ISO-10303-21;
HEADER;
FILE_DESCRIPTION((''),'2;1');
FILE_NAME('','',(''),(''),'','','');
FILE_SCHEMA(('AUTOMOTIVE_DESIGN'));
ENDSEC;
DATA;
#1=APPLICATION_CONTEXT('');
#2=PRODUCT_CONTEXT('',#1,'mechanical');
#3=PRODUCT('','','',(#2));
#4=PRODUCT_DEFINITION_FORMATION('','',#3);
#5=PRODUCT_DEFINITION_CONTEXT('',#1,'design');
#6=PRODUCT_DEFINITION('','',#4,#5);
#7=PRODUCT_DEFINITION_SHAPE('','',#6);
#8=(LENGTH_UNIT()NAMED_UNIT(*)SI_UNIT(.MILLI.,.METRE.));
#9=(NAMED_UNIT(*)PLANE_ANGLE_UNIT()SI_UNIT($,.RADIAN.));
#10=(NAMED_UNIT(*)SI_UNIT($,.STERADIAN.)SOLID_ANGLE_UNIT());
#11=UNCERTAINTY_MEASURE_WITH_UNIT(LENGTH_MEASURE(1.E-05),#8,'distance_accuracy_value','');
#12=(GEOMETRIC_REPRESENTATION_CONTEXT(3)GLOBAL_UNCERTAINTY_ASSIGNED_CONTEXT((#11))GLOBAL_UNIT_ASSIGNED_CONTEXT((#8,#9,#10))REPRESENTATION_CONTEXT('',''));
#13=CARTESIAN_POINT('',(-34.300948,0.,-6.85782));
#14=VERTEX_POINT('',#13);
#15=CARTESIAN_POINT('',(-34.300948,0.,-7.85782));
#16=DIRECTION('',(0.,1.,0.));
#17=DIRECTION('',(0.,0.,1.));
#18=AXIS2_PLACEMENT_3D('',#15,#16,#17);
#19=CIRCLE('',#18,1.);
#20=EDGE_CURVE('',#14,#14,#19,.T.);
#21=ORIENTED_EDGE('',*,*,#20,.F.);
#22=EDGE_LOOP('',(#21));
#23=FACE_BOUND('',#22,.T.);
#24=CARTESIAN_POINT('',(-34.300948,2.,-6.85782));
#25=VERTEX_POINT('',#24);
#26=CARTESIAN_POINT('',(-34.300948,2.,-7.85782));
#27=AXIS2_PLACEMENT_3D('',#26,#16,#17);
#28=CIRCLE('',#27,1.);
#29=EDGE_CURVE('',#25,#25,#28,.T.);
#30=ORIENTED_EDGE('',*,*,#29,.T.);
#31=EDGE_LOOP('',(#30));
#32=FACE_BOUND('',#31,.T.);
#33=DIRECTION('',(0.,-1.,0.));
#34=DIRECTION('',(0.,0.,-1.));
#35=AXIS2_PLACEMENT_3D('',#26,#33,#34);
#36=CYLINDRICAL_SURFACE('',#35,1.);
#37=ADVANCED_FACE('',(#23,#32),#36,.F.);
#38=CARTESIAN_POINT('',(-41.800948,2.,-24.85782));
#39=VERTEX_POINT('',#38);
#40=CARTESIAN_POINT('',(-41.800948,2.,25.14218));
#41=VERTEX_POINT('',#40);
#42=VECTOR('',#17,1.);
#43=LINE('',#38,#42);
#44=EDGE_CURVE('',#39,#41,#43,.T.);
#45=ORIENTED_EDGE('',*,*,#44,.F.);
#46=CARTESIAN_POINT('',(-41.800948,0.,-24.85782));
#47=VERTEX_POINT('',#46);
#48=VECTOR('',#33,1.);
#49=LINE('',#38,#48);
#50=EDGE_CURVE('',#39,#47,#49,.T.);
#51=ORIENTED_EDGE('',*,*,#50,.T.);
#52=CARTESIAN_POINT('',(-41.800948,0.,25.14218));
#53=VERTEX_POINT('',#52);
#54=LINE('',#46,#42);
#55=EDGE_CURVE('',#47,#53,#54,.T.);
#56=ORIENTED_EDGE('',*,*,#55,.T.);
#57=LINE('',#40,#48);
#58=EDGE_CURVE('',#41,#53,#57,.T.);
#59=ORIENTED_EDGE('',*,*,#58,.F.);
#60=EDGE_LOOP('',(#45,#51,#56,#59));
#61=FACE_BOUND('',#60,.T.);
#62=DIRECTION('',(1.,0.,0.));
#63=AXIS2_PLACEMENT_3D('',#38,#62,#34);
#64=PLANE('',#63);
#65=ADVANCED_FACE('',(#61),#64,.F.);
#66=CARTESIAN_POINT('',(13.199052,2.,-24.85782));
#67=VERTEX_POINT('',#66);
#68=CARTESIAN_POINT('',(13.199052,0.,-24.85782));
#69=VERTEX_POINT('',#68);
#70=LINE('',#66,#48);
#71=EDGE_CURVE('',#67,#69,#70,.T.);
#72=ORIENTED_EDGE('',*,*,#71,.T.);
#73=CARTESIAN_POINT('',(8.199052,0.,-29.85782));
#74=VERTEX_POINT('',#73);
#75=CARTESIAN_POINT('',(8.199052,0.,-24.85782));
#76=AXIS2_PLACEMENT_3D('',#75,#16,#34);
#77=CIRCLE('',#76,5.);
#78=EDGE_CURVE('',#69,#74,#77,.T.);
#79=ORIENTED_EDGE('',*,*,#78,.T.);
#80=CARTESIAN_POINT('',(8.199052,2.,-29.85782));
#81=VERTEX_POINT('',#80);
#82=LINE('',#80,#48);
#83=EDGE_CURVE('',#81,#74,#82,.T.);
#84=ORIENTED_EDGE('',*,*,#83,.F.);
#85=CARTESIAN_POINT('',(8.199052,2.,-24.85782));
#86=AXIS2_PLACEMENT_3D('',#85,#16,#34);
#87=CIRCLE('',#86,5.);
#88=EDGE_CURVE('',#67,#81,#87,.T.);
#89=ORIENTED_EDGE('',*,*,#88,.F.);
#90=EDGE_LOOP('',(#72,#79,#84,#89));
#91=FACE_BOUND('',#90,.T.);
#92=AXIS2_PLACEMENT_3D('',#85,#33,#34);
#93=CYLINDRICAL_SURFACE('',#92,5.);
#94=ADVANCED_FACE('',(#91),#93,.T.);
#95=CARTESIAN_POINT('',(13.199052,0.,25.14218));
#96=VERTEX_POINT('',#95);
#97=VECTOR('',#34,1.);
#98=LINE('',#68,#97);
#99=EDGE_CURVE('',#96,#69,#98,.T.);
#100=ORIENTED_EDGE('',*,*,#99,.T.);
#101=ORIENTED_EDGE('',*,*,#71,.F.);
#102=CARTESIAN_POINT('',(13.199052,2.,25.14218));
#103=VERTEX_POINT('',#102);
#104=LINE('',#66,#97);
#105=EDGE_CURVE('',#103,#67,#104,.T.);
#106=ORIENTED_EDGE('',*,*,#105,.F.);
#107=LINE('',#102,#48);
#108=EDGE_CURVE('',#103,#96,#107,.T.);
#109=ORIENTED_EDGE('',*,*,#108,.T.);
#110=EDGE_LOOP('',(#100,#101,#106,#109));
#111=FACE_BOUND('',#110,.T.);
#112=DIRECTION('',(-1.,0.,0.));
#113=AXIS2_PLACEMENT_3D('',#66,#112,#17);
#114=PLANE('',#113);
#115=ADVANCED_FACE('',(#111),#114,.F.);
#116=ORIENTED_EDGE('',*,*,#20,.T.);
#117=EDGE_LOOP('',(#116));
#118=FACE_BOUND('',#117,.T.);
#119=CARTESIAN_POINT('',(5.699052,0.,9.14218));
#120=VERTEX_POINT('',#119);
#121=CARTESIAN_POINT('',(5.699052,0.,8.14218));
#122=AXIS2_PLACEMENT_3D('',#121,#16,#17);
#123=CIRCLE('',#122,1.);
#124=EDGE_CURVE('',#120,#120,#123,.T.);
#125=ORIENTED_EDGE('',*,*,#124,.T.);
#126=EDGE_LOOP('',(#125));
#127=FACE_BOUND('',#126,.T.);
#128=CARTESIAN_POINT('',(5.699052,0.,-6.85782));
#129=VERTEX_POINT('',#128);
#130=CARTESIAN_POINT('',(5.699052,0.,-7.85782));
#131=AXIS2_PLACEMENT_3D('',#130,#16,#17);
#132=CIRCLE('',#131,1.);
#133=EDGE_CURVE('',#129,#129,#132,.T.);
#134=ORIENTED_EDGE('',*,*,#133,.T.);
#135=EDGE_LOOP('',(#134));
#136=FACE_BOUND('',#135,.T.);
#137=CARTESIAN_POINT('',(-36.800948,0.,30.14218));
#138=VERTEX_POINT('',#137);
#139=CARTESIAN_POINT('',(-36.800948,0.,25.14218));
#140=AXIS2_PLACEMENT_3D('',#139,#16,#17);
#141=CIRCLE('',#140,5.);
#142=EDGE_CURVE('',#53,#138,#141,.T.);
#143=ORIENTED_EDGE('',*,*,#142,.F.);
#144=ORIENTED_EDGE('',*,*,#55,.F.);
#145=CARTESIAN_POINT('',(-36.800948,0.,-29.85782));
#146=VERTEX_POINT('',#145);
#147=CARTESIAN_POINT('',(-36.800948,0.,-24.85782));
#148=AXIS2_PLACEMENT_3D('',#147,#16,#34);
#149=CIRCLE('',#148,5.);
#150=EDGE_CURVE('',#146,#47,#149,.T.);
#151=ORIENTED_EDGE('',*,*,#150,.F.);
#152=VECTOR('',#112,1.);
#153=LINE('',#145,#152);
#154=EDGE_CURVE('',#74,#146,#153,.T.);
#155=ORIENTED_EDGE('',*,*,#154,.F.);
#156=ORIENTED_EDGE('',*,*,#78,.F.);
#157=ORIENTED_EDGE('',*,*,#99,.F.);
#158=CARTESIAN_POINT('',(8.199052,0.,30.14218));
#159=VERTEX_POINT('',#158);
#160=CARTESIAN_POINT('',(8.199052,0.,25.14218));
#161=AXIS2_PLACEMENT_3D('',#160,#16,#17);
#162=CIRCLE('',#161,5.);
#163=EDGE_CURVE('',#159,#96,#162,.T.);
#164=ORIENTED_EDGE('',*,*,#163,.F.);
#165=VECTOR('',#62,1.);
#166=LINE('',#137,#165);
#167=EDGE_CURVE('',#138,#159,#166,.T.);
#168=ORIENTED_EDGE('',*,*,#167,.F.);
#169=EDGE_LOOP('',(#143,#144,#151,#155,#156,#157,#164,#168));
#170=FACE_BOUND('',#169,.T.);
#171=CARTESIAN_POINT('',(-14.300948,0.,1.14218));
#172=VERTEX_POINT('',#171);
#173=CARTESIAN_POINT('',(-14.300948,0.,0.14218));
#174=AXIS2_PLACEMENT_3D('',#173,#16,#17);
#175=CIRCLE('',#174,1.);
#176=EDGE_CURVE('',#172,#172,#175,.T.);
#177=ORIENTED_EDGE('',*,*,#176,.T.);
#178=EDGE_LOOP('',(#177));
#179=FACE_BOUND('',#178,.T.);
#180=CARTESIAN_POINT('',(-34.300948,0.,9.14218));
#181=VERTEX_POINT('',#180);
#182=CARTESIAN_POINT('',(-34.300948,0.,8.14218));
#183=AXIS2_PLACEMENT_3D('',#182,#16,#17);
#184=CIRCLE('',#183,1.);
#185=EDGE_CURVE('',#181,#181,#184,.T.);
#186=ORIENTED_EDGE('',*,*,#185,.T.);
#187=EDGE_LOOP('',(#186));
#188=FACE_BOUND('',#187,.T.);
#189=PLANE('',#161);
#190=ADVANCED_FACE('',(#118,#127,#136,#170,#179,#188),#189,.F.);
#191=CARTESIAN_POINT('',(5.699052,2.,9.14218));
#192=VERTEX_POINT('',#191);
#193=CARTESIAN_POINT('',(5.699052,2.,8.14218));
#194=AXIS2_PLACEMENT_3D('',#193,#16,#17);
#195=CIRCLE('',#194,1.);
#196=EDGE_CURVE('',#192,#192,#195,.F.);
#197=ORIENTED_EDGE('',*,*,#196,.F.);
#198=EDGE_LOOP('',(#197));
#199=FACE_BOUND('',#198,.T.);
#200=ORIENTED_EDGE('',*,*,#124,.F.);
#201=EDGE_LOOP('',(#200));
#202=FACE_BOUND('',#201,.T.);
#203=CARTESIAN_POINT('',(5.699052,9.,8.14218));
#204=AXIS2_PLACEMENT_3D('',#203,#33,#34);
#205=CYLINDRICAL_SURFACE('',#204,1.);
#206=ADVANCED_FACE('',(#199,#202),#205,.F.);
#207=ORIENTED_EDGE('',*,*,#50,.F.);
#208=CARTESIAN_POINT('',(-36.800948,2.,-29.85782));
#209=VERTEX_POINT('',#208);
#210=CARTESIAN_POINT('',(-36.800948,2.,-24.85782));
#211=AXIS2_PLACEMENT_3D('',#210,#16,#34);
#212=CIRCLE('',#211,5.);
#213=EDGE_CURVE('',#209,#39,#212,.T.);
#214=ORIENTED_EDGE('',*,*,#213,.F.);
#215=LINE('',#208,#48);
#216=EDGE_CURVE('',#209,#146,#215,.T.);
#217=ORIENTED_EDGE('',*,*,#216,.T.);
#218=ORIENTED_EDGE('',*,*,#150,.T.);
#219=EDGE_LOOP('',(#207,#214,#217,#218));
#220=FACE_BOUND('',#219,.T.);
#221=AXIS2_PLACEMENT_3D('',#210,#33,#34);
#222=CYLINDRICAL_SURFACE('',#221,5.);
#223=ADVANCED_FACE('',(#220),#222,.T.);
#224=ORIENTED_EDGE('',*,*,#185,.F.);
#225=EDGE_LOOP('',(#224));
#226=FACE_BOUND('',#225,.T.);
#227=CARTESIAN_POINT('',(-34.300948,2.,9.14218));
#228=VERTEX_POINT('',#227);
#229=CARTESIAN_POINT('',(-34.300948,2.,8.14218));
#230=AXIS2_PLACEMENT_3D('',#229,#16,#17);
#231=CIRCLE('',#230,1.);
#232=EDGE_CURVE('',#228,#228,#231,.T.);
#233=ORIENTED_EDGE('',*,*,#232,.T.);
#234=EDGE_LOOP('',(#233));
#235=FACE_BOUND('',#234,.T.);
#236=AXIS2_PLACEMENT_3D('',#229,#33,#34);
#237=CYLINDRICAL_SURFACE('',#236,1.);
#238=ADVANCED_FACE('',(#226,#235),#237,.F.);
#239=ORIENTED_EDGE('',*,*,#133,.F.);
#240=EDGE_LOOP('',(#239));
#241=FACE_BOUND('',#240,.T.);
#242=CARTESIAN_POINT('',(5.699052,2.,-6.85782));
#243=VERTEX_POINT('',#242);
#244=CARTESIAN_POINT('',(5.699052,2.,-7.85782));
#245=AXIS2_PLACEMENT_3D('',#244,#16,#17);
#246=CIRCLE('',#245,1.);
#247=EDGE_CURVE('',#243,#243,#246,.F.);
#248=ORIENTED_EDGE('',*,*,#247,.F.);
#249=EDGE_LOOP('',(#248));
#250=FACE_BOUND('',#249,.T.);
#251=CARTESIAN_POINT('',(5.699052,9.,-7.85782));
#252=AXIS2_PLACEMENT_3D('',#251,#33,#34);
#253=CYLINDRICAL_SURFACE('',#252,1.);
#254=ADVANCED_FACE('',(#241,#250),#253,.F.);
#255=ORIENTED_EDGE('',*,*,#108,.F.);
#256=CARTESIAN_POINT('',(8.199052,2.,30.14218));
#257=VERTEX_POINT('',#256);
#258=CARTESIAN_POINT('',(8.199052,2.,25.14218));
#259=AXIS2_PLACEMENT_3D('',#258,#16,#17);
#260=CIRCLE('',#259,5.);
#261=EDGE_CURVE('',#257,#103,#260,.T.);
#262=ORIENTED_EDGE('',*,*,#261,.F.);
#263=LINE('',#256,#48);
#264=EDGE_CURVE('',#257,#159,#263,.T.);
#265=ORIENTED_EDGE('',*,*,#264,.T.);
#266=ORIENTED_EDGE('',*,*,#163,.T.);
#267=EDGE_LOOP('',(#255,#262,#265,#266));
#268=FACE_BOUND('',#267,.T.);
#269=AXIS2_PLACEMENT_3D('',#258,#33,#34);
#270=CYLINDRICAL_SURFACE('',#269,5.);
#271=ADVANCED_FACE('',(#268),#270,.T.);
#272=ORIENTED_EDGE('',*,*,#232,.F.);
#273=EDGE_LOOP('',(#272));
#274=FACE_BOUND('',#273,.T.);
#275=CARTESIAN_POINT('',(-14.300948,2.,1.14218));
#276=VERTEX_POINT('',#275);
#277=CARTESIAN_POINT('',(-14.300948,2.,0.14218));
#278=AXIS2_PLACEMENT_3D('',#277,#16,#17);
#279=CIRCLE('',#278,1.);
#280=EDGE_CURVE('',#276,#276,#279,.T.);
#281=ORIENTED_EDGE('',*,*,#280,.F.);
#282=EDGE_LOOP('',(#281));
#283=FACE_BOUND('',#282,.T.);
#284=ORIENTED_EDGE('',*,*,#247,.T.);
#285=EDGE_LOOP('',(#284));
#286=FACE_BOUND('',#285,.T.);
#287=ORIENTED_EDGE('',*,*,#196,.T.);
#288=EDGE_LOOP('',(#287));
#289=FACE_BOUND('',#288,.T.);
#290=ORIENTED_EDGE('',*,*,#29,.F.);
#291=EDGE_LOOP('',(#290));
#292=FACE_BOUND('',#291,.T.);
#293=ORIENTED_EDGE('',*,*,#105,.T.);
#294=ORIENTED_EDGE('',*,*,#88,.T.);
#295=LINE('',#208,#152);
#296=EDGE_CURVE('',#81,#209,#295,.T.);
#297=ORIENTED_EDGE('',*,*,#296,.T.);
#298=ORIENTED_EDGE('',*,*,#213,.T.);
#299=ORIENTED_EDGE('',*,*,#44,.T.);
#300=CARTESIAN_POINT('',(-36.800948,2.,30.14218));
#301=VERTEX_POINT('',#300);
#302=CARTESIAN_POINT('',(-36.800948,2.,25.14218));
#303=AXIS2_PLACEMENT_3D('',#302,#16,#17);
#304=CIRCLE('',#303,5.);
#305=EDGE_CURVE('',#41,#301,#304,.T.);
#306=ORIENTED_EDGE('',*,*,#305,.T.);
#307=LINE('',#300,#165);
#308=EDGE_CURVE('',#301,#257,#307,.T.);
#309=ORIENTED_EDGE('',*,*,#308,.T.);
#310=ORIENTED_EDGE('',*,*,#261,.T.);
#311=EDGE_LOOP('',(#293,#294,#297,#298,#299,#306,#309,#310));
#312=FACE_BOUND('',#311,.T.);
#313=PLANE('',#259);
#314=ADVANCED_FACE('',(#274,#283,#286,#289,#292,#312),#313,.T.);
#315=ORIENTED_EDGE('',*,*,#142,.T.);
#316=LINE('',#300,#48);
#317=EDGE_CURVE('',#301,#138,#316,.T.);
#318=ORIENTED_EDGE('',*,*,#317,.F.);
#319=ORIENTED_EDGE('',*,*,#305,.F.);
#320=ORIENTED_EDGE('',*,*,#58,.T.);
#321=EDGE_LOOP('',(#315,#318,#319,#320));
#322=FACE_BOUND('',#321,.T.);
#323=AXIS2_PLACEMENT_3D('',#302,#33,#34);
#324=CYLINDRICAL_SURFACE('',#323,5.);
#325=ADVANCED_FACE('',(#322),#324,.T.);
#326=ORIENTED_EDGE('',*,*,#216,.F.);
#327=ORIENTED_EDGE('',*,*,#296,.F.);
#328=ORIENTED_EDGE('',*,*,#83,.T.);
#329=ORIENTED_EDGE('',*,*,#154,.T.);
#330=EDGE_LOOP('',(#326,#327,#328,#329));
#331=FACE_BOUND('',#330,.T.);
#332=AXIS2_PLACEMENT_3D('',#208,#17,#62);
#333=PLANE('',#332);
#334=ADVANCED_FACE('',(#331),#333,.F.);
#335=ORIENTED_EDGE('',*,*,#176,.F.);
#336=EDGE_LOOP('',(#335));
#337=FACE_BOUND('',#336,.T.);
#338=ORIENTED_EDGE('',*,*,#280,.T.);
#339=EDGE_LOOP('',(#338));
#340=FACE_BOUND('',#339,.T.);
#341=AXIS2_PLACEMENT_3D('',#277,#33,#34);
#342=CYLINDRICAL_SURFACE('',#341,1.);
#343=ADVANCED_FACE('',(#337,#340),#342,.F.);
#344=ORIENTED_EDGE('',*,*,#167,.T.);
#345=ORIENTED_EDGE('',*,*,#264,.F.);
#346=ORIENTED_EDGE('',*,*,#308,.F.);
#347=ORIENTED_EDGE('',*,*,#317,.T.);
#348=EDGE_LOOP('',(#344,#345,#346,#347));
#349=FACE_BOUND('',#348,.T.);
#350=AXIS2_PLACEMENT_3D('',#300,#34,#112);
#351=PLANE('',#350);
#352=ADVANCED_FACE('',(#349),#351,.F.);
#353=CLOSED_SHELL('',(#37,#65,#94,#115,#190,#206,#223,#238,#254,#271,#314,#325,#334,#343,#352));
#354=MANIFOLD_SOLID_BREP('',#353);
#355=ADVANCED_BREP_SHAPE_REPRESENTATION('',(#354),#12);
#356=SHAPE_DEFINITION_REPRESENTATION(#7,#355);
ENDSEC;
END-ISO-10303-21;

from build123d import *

# Parameters (mm, degrees)
SKETCH1_R           = 1
BOSS_EXTRUDE1_DEPTH = 2
SKETCH2_R           = 1
CUT_EXTRUDE1_DEPTH  = 9


with BuildPart() as part:
    # Sketch1 → Boss-Extrude1 (new body)
    with BuildSketch(Plane(origin=(0, 0, 0), x_dir=(1, 0, 0), z_dir=(0, 1, 0))):
        with BuildLine():
            Line((-36.800947867, 29.857819905), (8.199052133, 29.857819905))
            ThreePointArc((8.199052133, 29.857819905), (11.734586039, 28.393353811), (13.199052133, 24.857819905))
            Line((13.199052133, 24.857819905), (13.199052133, -25.142180095))
            ThreePointArc((13.199052133, -25.142180095), (11.734586039, -28.677714001), (8.199052133, -30.142180095))
            Line((8.199052133, -30.142180095), (-36.800947867, -30.142180095))
            ThreePointArc((-36.800947867, -30.142180095), (-40.336481773, -28.677714001), (-41.800947867, -25.142180095))
            Line((-41.800947867, -25.142180095), (-41.800947867, 24.857819905))
            ThreePointArc((-41.800947867, 24.857819905), (-40.336481773, 28.393353811), (-36.800947867, 29.857819905))
        make_face()
        with Locations(Location((-34.300947867, 7.857819905, 0), (0, 0, 270))):
            Circle(SKETCH1_R, mode=Mode.SUBTRACT)
        with Locations(Location((-34.300947867, -8.142180095, 0), (0, 0, 270))):
            Circle(SKETCH1_R, mode=Mode.SUBTRACT)
        with Locations(Location((-14.300947867, -0.142180095, 0), (0, 0, 270))):
            Circle(SKETCH1_R, mode=Mode.SUBTRACT)
    extrude(amount=BOSS_EXTRUDE1_DEPTH)

    # Sketch2 → Cut-Extrude1 (cut)
    with BuildSketch(Plane(origin=(0, 0, 0), x_dir=(1, 0, 0), z_dir=(0, 1, 0))):
        with Locations(Location((5.699052133, 7.857819905, 0), (0, 0, 270))):
            Circle(SKETCH2_R)
        with Locations(Location((5.699052133, -8.142180095, 0), (0, 0, 270))):
            Circle(SKETCH2_R)
    extrude(amount=CUT_EXTRUDE1_DEPTH, mode=Mode.SUBTRACT)


solid = part.part
